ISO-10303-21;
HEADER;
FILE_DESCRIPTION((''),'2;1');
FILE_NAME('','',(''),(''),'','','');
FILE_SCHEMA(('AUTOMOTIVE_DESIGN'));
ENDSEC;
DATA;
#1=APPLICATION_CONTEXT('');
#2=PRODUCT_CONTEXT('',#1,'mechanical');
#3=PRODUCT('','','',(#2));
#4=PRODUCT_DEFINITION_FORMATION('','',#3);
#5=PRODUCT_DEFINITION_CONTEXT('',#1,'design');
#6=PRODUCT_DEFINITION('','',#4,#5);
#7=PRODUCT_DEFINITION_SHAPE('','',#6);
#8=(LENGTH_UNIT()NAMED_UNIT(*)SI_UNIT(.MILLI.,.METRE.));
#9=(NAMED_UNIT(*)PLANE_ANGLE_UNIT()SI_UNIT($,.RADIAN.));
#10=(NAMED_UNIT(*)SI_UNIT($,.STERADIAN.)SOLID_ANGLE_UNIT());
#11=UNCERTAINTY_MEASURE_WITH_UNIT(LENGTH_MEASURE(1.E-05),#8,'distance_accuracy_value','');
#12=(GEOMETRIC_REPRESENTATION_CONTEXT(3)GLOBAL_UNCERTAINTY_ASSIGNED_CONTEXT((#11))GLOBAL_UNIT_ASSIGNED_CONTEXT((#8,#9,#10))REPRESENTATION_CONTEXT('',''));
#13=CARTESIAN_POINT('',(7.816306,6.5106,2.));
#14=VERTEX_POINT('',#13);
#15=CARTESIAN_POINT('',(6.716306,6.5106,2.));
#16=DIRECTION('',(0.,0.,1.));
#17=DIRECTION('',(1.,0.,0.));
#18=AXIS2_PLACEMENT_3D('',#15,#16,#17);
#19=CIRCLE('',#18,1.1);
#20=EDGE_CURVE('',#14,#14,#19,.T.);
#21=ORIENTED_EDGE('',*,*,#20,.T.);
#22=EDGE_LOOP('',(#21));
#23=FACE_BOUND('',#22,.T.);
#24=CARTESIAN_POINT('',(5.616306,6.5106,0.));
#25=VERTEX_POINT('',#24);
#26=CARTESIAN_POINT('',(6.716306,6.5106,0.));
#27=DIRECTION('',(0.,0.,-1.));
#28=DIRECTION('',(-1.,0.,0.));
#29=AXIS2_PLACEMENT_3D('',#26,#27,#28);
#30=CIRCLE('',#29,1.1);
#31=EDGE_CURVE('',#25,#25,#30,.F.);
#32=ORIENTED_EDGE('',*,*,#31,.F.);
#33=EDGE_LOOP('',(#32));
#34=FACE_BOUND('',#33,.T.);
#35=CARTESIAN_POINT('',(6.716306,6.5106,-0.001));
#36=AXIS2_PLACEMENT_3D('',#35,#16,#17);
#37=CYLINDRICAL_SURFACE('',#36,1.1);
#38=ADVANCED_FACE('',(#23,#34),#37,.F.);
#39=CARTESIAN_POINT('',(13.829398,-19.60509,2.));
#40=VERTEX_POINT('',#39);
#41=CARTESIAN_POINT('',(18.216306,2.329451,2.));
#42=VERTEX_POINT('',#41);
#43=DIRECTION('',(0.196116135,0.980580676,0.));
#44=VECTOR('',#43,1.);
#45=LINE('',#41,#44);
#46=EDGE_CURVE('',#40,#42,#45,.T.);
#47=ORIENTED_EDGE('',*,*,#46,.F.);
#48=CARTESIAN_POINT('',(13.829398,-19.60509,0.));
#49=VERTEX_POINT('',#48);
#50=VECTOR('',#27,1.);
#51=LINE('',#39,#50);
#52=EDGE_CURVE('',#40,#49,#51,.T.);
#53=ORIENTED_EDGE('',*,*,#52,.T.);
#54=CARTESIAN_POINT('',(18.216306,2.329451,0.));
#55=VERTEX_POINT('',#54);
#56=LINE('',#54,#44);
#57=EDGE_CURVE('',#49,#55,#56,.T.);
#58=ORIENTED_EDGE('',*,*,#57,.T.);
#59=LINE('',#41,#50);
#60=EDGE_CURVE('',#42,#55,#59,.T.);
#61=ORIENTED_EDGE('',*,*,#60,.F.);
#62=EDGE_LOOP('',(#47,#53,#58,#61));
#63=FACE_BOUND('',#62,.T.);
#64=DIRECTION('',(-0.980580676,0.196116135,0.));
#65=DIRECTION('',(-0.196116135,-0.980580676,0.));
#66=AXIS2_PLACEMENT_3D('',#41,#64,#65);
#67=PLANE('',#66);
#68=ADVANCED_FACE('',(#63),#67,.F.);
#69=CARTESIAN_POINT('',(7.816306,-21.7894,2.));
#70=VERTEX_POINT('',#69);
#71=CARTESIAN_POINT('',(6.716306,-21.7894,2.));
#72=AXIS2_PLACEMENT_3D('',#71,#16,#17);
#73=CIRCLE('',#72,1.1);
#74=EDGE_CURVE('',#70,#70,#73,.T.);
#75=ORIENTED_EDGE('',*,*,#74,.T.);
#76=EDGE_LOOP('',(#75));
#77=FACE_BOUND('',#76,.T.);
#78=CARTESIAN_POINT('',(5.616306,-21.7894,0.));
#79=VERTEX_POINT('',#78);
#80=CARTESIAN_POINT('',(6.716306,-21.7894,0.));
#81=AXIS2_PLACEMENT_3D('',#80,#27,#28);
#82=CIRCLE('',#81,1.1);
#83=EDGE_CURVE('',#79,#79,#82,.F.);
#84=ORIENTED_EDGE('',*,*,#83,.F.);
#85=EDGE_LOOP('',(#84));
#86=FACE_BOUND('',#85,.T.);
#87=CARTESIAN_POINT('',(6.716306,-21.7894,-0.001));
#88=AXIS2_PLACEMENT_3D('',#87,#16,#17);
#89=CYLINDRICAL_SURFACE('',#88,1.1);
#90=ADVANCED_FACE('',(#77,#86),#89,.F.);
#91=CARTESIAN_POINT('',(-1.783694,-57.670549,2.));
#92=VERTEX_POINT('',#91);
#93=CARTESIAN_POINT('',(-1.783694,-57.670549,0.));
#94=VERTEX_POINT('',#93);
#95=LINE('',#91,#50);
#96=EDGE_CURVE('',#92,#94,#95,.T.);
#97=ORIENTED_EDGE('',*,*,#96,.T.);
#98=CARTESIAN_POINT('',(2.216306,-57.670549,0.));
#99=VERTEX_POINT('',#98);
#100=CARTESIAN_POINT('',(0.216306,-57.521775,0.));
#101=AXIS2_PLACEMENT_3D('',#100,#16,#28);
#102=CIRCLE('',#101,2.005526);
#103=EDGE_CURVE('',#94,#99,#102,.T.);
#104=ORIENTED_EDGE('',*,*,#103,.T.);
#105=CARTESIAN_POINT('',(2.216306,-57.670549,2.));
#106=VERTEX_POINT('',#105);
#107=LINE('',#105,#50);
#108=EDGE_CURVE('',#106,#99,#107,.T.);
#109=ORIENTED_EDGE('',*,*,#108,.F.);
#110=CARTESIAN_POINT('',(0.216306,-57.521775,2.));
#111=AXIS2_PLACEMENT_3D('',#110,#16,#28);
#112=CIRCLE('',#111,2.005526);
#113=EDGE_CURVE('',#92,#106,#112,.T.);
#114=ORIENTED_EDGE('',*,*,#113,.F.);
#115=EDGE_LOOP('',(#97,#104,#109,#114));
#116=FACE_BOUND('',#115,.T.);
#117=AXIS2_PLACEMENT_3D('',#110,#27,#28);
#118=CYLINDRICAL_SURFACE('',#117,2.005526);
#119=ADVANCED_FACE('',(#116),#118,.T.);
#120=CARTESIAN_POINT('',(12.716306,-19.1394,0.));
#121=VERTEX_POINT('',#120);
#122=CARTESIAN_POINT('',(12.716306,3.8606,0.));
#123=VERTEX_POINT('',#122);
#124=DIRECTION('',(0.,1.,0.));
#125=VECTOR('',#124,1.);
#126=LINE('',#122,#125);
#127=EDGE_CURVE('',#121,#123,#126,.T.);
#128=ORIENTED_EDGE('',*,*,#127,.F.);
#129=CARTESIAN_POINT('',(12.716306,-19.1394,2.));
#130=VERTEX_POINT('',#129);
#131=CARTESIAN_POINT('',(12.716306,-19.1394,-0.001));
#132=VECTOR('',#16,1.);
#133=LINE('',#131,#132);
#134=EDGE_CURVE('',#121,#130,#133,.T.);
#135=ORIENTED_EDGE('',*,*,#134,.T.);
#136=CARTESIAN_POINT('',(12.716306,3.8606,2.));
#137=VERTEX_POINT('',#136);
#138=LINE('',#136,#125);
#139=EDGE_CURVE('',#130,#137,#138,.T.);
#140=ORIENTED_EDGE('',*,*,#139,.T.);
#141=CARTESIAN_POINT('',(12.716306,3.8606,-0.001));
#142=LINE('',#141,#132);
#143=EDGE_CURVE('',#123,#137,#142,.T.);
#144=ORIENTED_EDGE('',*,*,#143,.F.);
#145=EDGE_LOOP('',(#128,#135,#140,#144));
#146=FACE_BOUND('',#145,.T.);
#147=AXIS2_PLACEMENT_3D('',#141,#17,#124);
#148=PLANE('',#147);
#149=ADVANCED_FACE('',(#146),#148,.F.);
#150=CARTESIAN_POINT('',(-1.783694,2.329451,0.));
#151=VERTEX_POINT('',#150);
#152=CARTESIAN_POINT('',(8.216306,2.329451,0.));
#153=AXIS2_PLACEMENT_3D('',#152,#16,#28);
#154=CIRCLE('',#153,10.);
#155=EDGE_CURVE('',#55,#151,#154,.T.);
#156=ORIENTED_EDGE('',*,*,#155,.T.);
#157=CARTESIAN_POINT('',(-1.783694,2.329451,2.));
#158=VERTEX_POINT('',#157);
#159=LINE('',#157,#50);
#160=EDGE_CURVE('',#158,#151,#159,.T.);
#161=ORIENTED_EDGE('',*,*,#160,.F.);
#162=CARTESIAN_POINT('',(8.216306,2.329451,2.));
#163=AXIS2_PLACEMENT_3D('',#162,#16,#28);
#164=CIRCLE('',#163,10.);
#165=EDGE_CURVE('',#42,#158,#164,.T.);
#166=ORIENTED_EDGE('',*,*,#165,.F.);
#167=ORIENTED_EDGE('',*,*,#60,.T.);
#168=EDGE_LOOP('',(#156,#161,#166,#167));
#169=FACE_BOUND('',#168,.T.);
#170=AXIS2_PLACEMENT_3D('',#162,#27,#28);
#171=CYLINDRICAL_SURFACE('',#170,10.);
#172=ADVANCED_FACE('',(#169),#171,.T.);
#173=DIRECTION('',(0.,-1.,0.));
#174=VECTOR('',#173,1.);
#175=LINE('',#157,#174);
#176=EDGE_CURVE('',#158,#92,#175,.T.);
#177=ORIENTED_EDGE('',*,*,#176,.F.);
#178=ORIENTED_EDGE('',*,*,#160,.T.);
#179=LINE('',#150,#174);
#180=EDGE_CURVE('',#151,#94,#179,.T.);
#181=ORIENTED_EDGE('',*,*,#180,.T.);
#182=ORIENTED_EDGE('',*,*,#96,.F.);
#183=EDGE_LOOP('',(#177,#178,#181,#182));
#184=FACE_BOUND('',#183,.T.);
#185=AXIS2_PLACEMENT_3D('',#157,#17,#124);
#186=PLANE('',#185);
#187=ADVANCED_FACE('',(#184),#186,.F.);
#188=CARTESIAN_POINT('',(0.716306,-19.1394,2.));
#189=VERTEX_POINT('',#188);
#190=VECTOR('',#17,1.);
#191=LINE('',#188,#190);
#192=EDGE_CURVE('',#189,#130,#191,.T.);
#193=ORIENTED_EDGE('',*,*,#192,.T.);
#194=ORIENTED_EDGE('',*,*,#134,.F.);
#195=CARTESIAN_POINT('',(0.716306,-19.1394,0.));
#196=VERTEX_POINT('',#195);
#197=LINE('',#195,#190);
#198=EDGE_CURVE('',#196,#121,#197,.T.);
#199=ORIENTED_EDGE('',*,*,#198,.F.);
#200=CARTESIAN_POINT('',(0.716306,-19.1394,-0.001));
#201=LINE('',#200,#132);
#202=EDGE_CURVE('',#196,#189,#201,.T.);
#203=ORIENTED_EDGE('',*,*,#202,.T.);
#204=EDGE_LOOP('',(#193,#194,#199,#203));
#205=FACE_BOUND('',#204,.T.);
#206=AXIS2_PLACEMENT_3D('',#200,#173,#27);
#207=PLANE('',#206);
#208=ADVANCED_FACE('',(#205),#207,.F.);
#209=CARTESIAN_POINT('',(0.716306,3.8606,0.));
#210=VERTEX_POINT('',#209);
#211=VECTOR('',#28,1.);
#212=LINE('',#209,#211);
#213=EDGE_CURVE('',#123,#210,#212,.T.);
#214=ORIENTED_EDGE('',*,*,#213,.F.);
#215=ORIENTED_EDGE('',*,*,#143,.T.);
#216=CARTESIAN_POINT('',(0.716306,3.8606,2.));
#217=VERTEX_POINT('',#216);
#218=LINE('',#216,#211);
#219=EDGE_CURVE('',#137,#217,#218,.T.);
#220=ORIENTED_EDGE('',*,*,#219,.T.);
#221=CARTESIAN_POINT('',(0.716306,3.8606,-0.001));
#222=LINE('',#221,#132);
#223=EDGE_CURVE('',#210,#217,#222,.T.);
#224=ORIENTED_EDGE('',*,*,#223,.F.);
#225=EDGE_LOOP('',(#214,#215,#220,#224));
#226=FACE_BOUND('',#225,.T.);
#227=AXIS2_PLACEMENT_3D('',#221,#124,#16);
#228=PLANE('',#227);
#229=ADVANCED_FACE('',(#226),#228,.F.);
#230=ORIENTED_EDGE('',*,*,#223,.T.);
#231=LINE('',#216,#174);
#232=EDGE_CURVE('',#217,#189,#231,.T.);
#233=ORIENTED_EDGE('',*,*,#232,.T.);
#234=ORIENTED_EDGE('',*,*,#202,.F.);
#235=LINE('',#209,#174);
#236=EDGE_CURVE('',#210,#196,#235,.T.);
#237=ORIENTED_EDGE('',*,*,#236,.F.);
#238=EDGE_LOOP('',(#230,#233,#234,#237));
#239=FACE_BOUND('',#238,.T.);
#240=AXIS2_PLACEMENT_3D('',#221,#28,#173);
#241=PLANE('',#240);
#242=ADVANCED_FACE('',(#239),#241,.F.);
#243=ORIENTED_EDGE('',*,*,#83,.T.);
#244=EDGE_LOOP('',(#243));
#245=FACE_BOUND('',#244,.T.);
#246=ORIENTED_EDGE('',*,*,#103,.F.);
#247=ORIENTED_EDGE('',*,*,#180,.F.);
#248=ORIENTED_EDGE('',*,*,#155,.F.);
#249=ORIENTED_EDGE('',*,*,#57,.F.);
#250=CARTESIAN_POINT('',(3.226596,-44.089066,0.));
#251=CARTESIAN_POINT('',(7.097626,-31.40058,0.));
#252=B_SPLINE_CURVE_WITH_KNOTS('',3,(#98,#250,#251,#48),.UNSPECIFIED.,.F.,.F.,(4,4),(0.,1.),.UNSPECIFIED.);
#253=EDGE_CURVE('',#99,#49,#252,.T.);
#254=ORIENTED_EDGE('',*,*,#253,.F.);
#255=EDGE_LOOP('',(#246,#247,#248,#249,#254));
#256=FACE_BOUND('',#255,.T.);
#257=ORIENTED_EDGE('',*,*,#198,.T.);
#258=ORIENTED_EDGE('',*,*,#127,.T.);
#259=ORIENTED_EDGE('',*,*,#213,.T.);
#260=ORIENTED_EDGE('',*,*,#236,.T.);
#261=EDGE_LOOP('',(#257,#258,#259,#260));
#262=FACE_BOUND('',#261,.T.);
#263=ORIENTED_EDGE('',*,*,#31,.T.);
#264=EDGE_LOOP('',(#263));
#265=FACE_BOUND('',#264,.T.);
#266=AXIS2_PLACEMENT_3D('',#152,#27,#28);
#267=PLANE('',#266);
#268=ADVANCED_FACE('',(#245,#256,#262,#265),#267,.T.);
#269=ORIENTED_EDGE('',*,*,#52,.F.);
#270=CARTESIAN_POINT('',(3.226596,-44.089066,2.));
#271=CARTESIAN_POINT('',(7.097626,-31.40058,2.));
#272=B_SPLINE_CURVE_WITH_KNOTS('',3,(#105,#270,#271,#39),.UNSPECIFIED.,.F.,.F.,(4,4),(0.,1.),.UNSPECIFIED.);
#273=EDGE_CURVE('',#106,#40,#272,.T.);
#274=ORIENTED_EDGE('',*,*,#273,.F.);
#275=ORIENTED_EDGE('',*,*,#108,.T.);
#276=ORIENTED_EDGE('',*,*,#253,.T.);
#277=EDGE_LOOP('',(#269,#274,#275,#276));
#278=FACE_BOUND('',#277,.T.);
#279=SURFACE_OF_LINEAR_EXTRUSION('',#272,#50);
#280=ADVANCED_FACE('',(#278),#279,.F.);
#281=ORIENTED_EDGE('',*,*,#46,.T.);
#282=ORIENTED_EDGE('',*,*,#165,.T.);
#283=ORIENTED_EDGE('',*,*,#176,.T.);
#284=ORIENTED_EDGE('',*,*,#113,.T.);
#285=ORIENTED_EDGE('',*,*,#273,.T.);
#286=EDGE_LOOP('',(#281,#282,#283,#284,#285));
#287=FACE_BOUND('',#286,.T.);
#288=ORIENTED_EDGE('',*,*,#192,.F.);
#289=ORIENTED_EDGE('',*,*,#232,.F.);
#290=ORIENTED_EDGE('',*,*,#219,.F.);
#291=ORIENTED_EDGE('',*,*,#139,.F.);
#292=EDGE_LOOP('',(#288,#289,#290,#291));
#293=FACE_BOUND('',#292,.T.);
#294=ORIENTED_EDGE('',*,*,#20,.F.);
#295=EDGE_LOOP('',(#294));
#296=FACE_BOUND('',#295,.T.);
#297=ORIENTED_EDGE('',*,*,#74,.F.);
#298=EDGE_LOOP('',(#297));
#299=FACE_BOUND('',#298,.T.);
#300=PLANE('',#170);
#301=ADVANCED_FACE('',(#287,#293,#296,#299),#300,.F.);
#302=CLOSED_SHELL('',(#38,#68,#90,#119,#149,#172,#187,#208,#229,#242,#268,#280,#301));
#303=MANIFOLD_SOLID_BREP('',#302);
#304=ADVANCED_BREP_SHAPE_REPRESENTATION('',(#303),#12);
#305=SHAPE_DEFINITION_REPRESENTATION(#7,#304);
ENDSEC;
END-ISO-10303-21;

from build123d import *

# Parameters (mm, degrees)
BOSS_EXTRUDE1_DEPTH = 2
CUT_EXTRUDE1_REACH  = 64.284
SKETCH2_R           = 1.1
SKETCH2_W           = 12
SKETCH2_H           = 23


with BuildPart() as part:
    # Sketch1 → Boss-Extrude1 (new body)
    with BuildSketch(Plane.XY):
        with BuildLine():
            Line((-1.783693844, 2.329450915), (-1.783693844, -57.670549085))
            ThreePointArc((-1.783693844, -57.670549085), (0.216306156, -59.527300355), (2.216306156, -57.670549085))
            add(Edge.make_bspline(
                [(13.829397999, -19.605089871), (7.097626367, -31.400579811), (3.226595753, -44.089066216), (2.216306156, -57.670549085)],
                knots=[0, 0, 0, 0, 1, 1, 1, 1], degree=3))
            Line((13.829397999, -19.605089871), (18.216306156, 2.329450915))
            ThreePointArc((18.216306156, 2.329450915), (8.216306156, 12.329450915), (-1.783693844, 2.329450915))
        make_face()
    extrude(amount=BOSS_EXTRUDE1_DEPTH)

    # Sketch2 → Cut-Extrude1 (cut, up to next)
    with BuildSketch(Plane.XY.offset(2), mode=Mode.PRIVATE) as cut_extrude1_sk1:
        with Locations((6.716306156, 6.510600008)):
            Circle(SKETCH2_R)
    cut_extrude1_tool1 = extrude(cut_extrude1_sk1.sketch, amount=-CUT_EXTRUDE1_REACH, mode=Mode.PRIVATE) & part.part
    # Sketch2 → Cut-Extrude1 (cut, up to next)
    with BuildSketch(Plane.XY.offset(2), mode=Mode.PRIVATE) as cut_extrude1_sk2:
        with Locations((6.716306156, -21.789399992)):
            Circle(SKETCH2_R)
    cut_extrude1_tool2 = extrude(cut_extrude1_sk2.sketch, amount=-CUT_EXTRUDE1_REACH, mode=Mode.PRIVATE) & part.part
    # Sketch2 → Cut-Extrude1 (cut, up to next)
    with BuildSketch(Plane.XY.offset(2), mode=Mode.PRIVATE) as cut_extrude1_sk3:
        with Locations((6.716306156, -7.639399992)):
            Rectangle(SKETCH2_W, SKETCH2_H)
    cut_extrude1_tool3 = extrude(cut_extrude1_sk3.sketch, amount=-CUT_EXTRUDE1_REACH, mode=Mode.PRIVATE) & part.part
    add(cut_extrude1_tool1.solids().sort_by_distance((6.716306, 6.5106, 2))[0], mode=Mode.SUBTRACT)
    add(cut_extrude1_tool2.solids().sort_by_distance((6.716306, -21.7894, 2))[0], mode=Mode.SUBTRACT)
    add(cut_extrude1_tool3.solids().sort_by_distance((6.716306, -7.6394, 2))[0], mode=Mode.SUBTRACT)


solid = part.part
